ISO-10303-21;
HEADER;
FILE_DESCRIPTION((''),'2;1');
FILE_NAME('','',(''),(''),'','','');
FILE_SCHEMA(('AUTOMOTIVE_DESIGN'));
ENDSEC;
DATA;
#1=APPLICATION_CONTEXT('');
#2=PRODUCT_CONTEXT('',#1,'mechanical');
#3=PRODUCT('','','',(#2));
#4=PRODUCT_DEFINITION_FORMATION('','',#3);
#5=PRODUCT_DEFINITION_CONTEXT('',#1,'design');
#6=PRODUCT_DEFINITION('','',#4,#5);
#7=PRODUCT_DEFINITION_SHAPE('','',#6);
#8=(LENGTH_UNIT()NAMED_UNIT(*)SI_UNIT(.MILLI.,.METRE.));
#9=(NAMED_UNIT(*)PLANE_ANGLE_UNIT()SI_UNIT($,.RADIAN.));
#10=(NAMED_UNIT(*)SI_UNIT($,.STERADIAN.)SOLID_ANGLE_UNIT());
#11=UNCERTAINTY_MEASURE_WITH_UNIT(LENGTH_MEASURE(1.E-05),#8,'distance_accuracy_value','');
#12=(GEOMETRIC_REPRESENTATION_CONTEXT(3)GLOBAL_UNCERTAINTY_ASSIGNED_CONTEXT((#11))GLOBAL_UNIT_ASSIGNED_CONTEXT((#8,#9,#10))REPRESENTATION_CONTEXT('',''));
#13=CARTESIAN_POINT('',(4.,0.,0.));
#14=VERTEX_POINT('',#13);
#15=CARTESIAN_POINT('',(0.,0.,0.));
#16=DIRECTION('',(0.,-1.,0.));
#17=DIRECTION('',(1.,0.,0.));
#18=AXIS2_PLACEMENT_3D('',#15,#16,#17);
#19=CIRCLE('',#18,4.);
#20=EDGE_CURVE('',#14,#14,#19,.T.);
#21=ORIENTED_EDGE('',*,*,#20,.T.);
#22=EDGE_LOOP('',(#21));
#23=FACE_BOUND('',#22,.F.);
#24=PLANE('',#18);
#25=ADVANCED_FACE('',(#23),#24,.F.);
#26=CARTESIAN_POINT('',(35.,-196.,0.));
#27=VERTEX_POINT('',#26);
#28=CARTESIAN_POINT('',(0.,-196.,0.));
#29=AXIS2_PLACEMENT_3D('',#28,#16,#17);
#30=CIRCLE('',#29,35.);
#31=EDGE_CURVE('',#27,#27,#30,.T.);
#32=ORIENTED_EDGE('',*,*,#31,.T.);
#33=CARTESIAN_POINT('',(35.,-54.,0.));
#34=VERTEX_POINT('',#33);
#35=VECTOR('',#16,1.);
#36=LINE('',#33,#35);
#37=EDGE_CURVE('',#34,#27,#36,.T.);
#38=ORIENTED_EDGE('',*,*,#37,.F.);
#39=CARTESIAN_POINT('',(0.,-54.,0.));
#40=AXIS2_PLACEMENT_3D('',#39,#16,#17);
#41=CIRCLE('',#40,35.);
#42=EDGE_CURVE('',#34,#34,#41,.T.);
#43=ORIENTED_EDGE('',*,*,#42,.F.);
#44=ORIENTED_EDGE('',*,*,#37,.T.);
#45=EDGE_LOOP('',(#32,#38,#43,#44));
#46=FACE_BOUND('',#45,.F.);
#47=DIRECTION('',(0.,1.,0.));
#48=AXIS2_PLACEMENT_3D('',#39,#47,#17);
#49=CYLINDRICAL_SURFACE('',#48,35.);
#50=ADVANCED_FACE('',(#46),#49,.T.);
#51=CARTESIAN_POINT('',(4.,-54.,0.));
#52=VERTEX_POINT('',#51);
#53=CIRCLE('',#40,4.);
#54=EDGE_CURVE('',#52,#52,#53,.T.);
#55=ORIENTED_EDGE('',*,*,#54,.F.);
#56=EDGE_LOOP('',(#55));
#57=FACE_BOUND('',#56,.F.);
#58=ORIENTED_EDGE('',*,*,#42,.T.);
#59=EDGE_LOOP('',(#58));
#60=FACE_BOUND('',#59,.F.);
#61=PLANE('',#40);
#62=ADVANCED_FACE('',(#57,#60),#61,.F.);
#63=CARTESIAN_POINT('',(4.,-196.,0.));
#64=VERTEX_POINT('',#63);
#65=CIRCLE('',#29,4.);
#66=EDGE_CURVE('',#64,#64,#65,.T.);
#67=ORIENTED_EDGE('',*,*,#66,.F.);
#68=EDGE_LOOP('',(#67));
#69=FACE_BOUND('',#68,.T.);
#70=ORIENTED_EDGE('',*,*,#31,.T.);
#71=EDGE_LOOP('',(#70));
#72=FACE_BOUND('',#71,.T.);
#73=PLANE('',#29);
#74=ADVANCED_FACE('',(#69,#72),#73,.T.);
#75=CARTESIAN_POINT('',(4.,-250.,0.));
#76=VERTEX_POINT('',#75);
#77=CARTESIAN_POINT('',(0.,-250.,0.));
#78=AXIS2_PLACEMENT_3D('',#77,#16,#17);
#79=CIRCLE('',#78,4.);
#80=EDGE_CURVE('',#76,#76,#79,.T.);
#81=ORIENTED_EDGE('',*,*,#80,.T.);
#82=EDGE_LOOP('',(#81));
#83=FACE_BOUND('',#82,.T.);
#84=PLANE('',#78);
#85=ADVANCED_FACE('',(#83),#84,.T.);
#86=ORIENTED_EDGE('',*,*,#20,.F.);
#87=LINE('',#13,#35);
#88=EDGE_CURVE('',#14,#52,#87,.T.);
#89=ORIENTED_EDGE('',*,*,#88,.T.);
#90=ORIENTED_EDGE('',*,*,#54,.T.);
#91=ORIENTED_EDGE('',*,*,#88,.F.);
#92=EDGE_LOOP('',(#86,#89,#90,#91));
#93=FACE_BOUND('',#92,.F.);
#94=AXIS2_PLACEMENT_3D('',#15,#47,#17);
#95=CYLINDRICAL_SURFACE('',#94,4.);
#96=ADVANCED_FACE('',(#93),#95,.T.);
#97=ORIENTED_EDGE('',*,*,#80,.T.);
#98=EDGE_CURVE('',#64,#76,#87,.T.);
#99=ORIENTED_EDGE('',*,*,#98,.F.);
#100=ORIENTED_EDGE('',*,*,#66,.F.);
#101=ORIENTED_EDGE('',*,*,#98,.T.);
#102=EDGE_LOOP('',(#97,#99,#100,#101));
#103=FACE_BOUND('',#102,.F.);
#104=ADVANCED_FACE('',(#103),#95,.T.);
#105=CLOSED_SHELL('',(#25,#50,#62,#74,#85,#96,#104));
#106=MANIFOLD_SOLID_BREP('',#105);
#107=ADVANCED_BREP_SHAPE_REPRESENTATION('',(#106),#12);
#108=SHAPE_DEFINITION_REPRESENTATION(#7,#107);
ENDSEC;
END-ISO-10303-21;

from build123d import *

# Parameters (mm, degrees)
F0_R     = 4
F1_DEPTH = 250
F2_START = 54
F0_R_2   = 35
F2_DEPTH = 142


with BuildPart() as f1:
    # F0 (on Front) → F1 (new body)
    with BuildSketch(Plane.XZ):
        Circle(F0_R)
    extrude(amount=F1_DEPTH)

    # F0 (on Front) → F2 (join)
    with BuildSketch(Plane.XZ.offset(F2_START)):
        Circle(F0_R_2)
        Circle(F0_R, mode=Mode.SUBTRACT)
    extrude(amount=F2_DEPTH)


solid = f1.part
